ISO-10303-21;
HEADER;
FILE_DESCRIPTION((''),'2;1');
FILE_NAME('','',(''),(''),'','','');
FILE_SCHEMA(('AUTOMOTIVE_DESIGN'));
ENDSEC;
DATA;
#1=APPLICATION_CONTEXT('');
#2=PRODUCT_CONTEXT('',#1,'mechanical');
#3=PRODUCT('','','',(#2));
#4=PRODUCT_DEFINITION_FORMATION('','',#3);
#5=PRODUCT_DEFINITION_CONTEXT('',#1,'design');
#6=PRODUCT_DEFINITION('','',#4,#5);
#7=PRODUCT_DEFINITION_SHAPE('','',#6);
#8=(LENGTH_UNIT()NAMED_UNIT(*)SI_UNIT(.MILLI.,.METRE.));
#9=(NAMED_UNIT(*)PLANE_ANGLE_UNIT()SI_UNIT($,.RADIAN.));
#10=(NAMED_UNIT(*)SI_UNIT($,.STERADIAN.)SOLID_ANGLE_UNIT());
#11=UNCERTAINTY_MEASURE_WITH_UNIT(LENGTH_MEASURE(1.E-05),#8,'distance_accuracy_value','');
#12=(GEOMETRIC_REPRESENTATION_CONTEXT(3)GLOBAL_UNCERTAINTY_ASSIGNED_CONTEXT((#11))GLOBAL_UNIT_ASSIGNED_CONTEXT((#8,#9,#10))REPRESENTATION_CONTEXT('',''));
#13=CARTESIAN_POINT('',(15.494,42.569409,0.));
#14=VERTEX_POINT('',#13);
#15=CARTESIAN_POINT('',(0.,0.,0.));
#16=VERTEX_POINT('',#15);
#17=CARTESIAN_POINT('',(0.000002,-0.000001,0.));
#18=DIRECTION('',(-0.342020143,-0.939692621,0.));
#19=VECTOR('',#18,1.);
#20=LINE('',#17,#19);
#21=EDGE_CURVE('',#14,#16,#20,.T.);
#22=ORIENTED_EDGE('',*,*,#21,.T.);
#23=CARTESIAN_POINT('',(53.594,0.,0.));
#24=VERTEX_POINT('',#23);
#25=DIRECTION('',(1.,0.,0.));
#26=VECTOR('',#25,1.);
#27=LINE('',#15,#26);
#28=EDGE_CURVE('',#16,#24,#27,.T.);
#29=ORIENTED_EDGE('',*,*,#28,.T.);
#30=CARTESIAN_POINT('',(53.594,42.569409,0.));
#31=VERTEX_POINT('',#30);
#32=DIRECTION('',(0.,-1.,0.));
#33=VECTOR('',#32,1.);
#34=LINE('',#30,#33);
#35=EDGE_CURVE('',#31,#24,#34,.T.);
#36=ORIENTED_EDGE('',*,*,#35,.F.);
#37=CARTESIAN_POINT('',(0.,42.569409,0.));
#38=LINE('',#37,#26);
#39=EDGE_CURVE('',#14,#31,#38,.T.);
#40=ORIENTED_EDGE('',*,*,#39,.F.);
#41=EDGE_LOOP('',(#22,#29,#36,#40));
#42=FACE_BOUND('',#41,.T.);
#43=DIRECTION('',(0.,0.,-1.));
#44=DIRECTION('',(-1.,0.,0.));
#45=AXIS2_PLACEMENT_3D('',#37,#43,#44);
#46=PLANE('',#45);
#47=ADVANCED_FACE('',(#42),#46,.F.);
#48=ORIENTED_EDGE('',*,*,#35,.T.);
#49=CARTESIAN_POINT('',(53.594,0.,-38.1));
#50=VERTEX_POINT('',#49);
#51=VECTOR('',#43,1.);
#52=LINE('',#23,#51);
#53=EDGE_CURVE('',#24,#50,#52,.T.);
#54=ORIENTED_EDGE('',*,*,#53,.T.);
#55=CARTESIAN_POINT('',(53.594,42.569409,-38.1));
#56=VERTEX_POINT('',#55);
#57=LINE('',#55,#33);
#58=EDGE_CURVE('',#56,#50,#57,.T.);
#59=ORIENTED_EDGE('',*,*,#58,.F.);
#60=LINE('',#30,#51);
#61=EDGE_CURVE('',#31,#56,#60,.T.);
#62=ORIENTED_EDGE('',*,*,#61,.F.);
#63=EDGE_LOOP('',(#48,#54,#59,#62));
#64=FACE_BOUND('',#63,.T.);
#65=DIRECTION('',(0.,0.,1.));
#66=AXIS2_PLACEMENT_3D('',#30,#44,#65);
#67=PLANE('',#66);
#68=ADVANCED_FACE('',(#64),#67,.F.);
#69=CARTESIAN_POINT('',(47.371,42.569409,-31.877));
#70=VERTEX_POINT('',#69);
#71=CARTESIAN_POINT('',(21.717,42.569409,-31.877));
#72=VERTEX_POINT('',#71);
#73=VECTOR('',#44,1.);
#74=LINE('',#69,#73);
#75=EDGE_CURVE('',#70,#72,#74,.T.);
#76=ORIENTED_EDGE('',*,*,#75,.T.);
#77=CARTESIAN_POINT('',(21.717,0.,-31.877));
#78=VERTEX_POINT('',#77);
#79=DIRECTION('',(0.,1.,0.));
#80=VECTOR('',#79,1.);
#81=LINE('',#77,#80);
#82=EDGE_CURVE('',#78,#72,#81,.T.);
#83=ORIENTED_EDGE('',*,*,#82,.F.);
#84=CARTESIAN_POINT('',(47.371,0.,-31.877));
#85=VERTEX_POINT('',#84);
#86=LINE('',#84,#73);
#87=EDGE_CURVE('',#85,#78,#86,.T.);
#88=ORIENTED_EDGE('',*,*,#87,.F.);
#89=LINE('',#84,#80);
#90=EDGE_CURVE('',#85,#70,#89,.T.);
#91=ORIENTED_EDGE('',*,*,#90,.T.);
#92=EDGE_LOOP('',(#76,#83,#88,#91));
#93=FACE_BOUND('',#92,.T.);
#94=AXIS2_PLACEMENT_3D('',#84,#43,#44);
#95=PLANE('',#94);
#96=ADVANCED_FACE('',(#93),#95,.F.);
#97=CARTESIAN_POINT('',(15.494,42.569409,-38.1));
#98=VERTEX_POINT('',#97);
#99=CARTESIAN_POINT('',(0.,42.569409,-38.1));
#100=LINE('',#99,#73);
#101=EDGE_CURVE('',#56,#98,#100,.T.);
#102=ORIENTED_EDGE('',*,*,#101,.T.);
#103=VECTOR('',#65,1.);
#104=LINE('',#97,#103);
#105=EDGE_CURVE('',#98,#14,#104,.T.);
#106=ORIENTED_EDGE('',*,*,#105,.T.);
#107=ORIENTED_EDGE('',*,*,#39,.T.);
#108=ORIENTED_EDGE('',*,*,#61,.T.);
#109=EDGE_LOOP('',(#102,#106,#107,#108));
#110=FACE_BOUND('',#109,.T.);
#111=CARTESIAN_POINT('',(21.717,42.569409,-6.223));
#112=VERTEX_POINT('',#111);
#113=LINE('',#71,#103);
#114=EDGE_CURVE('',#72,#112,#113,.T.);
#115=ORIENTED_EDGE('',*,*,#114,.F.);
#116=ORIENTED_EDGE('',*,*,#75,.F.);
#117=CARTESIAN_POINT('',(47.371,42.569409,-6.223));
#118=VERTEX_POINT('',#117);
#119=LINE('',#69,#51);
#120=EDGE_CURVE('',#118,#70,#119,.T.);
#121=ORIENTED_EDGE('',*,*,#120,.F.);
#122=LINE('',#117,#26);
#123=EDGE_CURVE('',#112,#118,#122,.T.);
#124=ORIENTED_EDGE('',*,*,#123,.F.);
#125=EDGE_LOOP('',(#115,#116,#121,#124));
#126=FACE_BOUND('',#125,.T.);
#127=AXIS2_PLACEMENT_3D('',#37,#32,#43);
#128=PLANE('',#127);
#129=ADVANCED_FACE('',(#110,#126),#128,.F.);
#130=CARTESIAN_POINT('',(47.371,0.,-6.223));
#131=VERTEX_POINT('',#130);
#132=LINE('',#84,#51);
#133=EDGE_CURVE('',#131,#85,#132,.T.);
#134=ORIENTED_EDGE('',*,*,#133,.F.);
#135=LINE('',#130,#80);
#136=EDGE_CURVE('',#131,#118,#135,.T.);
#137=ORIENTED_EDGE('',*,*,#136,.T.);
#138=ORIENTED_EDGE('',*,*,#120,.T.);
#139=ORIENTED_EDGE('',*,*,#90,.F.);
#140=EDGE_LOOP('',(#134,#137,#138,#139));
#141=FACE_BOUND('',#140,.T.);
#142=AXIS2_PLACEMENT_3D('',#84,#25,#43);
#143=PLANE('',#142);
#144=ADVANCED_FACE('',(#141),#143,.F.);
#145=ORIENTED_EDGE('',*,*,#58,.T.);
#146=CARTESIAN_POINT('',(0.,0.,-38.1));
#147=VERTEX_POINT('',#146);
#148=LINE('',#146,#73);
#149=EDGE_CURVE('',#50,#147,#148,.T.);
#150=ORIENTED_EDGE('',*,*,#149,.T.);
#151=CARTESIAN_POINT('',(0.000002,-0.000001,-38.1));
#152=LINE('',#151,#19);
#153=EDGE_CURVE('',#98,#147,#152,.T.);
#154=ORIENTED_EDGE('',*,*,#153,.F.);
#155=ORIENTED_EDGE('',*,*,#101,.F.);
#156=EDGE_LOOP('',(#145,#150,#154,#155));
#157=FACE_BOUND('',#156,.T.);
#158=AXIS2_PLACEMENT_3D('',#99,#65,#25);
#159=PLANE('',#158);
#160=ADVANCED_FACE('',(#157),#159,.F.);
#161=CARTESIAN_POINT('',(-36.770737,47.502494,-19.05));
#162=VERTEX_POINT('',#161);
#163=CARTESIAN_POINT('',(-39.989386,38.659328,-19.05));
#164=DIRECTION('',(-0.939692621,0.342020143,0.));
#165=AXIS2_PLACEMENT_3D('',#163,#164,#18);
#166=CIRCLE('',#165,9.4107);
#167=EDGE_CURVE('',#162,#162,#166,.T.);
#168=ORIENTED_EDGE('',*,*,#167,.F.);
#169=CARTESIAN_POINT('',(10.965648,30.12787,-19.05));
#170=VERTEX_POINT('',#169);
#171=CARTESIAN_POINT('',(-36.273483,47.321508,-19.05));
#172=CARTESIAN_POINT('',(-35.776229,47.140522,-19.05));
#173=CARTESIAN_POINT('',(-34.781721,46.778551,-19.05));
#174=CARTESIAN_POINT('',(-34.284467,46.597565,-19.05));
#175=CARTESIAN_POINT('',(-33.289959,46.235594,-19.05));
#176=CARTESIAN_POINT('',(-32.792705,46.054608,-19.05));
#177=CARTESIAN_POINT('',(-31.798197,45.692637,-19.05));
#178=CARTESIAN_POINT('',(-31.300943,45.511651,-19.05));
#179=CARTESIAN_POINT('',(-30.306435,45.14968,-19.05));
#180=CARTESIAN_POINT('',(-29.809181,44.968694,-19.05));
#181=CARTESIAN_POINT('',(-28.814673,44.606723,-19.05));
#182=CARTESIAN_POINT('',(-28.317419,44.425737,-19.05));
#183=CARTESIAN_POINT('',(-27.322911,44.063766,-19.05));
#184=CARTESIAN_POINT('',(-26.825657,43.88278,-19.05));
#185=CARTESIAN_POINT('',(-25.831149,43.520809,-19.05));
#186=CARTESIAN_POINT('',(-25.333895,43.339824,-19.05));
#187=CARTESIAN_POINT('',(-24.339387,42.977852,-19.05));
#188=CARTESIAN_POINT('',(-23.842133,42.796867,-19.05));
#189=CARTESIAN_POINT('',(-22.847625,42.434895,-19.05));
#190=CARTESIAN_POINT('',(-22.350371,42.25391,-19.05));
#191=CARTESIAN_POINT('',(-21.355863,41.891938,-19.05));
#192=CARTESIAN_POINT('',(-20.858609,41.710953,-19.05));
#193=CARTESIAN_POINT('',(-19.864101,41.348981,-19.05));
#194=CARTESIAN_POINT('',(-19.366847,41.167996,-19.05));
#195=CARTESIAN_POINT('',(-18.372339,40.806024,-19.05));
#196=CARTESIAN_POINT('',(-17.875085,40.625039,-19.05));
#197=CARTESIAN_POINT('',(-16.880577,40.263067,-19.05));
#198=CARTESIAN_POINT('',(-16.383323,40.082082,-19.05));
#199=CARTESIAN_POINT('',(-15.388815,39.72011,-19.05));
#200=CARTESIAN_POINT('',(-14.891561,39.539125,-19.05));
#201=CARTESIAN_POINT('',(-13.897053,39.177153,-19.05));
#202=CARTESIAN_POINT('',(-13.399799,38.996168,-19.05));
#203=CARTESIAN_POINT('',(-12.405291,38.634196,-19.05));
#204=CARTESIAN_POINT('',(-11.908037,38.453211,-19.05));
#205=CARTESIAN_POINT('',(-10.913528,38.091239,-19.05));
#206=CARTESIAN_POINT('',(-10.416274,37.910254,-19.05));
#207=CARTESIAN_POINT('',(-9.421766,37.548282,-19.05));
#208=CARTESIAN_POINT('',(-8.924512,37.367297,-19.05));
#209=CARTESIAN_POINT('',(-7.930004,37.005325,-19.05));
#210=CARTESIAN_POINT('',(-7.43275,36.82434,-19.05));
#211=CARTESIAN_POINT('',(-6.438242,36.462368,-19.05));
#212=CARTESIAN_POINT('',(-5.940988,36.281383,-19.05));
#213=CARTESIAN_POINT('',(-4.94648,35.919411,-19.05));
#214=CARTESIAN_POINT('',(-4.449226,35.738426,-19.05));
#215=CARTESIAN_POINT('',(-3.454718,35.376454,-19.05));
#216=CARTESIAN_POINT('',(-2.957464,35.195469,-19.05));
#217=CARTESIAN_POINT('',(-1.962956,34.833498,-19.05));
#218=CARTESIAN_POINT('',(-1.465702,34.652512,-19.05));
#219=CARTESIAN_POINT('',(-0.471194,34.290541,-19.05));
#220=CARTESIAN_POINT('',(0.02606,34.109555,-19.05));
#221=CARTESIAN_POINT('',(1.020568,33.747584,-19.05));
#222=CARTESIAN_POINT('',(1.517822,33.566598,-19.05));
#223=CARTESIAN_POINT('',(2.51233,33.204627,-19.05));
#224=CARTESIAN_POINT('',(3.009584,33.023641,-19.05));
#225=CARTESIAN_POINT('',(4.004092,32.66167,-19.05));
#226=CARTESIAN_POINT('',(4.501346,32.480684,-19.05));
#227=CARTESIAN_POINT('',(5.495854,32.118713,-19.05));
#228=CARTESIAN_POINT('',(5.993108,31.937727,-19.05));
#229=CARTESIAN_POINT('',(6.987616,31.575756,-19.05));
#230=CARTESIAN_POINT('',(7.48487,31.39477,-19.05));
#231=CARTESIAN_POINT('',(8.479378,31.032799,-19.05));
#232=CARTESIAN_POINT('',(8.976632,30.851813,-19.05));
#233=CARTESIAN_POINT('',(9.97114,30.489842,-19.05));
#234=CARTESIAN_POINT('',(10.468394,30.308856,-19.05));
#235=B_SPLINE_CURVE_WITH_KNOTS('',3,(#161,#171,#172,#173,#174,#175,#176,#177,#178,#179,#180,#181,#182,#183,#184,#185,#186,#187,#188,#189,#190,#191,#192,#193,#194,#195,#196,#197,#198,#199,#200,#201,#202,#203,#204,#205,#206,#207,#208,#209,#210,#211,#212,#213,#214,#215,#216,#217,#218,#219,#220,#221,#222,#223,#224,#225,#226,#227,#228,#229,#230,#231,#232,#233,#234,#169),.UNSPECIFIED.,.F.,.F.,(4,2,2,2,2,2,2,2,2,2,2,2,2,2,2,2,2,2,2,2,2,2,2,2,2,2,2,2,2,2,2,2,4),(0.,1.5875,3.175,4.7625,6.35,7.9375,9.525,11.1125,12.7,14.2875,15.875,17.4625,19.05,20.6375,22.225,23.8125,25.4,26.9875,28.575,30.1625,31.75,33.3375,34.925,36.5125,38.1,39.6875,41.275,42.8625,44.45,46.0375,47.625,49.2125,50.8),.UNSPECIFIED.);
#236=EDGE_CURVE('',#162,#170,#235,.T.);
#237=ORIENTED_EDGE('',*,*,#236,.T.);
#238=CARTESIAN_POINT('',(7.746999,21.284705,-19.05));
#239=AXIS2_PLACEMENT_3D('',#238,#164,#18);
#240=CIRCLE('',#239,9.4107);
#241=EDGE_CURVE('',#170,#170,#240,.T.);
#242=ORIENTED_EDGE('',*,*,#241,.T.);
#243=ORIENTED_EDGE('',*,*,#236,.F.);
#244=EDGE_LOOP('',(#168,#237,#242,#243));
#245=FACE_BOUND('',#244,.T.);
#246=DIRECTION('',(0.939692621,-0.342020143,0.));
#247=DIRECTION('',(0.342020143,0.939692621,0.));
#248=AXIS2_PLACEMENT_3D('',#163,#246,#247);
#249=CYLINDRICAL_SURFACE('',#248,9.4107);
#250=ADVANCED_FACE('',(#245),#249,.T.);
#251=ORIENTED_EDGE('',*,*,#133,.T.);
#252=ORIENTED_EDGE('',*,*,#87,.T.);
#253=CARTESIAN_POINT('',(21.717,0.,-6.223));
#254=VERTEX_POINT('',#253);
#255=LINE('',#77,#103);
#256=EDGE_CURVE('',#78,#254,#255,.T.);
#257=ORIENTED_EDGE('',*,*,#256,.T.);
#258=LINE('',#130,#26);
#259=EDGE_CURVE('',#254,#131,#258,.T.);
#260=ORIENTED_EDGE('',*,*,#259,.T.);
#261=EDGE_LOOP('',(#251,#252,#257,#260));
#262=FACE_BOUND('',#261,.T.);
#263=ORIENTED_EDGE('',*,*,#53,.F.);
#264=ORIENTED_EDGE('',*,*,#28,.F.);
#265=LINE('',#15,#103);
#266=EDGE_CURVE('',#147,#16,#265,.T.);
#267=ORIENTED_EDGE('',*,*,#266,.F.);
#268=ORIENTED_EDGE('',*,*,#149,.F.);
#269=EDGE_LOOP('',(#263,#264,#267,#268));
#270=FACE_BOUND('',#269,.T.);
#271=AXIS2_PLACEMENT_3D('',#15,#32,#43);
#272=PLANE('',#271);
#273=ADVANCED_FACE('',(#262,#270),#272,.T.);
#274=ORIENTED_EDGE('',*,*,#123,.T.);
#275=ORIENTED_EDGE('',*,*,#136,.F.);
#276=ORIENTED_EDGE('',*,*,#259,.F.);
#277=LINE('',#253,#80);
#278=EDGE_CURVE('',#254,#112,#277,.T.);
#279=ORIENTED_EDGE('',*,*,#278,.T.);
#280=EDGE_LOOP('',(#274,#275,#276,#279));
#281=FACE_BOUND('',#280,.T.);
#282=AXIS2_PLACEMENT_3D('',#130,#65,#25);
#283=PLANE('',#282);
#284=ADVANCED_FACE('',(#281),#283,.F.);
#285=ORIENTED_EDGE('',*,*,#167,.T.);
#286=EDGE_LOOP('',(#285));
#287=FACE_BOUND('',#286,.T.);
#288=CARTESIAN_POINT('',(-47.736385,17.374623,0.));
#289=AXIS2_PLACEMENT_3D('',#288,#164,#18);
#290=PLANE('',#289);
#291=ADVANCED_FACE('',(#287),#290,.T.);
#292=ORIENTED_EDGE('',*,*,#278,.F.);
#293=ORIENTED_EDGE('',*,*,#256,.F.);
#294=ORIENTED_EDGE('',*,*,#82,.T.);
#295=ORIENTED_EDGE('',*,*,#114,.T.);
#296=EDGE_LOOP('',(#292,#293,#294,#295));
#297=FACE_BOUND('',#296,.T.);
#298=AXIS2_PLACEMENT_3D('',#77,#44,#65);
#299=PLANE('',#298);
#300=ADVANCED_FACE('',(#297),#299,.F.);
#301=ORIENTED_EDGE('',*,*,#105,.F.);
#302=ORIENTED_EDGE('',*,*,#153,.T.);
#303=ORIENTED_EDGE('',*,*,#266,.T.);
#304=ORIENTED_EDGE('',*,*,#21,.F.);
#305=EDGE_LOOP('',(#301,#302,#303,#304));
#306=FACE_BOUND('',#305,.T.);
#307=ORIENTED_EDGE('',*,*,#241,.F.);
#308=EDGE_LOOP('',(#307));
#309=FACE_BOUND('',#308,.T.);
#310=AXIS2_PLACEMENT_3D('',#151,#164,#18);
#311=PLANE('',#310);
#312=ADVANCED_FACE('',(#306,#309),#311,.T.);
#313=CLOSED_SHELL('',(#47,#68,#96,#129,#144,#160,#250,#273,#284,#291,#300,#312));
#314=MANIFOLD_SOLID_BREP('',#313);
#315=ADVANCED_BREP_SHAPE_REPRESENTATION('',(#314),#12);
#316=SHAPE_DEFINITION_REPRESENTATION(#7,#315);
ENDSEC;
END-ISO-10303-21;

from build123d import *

# Parameters (mm, degrees)
SKETCH1_W           = 53.594
SKETCH1_H           = 38.1
BOSS_EXTRUDE1_DEPTH = 42.5694094
CUT_EXTRUDE1_DEPTH  = 79.333144024
SKETCH5_W           = 25.654
SKETCH5_H           = 25.654
CUT_EXTRUDE2_DEPTH  = 79.333144024
SKETCH6_R           = 9.4107
BOSS_EXTRUDE2_DEPTH = 50.8


with BuildPart() as part:
    # Sketch1 → Boss-Extrude1 (new body)
    with BuildSketch(Plane(origin=(0, 0, 0), x_dir=(1, 0, 0), z_dir=(0, 1, 0))):
        with Locations((26.797, 19.05)):
            Rectangle(SKETCH1_W, SKETCH1_H)
    extrude(amount=BOSS_EXTRUDE1_DEPTH)

    # Sketch4 → Cut-Extrude1 (cut, through all)
    with BuildSketch(Plane.XY):
        Polygon((0, -5.737e-06), (15.494, 42.5694094), (0, 42.5694094), align=None)
    extrude(amount=-CUT_EXTRUDE1_DEPTH, mode=Mode.SUBTRACT)

    # Sketch5 → Cut-Extrude2 (cut, through all)
    with BuildSketch(Plane(origin=(0, 42.5694094, 0), x_dir=(1, 0, 0), z_dir=(0, 1, 0))):
        with Locations((34.544, 19.05)):
            Rectangle(SKETCH5_W, SKETCH5_H)
    extrude(amount=-CUT_EXTRUDE2_DEPTH, mode=Mode.SUBTRACT)


with BuildPart() as boss_extrude2_tool:
    # Sketch6 → Boss-Extrude2 (new body)
    with BuildSketch(Plane(origin=(0, 0, 0), x_dir=(0, 0, 1), z_dir=(-0.9396926207859096, 0.3420201433256656, 0))):
        with Locations(Location((-19.05, 22.650709993, 0), (0, 0, 90))):
            Circle(SKETCH6_R)
    extrude(amount=BOSS_EXTRUDE2_DEPTH)


with BuildPart() as part_1:
    add(part.part)


with BuildPart() as part_2:
    # Boss-Extrude2: joined with boss_extrude2_tool
    add(part_1.part.fuse(boss_extrude2_tool.part, tol=0.00001))


solid = part_2.part
